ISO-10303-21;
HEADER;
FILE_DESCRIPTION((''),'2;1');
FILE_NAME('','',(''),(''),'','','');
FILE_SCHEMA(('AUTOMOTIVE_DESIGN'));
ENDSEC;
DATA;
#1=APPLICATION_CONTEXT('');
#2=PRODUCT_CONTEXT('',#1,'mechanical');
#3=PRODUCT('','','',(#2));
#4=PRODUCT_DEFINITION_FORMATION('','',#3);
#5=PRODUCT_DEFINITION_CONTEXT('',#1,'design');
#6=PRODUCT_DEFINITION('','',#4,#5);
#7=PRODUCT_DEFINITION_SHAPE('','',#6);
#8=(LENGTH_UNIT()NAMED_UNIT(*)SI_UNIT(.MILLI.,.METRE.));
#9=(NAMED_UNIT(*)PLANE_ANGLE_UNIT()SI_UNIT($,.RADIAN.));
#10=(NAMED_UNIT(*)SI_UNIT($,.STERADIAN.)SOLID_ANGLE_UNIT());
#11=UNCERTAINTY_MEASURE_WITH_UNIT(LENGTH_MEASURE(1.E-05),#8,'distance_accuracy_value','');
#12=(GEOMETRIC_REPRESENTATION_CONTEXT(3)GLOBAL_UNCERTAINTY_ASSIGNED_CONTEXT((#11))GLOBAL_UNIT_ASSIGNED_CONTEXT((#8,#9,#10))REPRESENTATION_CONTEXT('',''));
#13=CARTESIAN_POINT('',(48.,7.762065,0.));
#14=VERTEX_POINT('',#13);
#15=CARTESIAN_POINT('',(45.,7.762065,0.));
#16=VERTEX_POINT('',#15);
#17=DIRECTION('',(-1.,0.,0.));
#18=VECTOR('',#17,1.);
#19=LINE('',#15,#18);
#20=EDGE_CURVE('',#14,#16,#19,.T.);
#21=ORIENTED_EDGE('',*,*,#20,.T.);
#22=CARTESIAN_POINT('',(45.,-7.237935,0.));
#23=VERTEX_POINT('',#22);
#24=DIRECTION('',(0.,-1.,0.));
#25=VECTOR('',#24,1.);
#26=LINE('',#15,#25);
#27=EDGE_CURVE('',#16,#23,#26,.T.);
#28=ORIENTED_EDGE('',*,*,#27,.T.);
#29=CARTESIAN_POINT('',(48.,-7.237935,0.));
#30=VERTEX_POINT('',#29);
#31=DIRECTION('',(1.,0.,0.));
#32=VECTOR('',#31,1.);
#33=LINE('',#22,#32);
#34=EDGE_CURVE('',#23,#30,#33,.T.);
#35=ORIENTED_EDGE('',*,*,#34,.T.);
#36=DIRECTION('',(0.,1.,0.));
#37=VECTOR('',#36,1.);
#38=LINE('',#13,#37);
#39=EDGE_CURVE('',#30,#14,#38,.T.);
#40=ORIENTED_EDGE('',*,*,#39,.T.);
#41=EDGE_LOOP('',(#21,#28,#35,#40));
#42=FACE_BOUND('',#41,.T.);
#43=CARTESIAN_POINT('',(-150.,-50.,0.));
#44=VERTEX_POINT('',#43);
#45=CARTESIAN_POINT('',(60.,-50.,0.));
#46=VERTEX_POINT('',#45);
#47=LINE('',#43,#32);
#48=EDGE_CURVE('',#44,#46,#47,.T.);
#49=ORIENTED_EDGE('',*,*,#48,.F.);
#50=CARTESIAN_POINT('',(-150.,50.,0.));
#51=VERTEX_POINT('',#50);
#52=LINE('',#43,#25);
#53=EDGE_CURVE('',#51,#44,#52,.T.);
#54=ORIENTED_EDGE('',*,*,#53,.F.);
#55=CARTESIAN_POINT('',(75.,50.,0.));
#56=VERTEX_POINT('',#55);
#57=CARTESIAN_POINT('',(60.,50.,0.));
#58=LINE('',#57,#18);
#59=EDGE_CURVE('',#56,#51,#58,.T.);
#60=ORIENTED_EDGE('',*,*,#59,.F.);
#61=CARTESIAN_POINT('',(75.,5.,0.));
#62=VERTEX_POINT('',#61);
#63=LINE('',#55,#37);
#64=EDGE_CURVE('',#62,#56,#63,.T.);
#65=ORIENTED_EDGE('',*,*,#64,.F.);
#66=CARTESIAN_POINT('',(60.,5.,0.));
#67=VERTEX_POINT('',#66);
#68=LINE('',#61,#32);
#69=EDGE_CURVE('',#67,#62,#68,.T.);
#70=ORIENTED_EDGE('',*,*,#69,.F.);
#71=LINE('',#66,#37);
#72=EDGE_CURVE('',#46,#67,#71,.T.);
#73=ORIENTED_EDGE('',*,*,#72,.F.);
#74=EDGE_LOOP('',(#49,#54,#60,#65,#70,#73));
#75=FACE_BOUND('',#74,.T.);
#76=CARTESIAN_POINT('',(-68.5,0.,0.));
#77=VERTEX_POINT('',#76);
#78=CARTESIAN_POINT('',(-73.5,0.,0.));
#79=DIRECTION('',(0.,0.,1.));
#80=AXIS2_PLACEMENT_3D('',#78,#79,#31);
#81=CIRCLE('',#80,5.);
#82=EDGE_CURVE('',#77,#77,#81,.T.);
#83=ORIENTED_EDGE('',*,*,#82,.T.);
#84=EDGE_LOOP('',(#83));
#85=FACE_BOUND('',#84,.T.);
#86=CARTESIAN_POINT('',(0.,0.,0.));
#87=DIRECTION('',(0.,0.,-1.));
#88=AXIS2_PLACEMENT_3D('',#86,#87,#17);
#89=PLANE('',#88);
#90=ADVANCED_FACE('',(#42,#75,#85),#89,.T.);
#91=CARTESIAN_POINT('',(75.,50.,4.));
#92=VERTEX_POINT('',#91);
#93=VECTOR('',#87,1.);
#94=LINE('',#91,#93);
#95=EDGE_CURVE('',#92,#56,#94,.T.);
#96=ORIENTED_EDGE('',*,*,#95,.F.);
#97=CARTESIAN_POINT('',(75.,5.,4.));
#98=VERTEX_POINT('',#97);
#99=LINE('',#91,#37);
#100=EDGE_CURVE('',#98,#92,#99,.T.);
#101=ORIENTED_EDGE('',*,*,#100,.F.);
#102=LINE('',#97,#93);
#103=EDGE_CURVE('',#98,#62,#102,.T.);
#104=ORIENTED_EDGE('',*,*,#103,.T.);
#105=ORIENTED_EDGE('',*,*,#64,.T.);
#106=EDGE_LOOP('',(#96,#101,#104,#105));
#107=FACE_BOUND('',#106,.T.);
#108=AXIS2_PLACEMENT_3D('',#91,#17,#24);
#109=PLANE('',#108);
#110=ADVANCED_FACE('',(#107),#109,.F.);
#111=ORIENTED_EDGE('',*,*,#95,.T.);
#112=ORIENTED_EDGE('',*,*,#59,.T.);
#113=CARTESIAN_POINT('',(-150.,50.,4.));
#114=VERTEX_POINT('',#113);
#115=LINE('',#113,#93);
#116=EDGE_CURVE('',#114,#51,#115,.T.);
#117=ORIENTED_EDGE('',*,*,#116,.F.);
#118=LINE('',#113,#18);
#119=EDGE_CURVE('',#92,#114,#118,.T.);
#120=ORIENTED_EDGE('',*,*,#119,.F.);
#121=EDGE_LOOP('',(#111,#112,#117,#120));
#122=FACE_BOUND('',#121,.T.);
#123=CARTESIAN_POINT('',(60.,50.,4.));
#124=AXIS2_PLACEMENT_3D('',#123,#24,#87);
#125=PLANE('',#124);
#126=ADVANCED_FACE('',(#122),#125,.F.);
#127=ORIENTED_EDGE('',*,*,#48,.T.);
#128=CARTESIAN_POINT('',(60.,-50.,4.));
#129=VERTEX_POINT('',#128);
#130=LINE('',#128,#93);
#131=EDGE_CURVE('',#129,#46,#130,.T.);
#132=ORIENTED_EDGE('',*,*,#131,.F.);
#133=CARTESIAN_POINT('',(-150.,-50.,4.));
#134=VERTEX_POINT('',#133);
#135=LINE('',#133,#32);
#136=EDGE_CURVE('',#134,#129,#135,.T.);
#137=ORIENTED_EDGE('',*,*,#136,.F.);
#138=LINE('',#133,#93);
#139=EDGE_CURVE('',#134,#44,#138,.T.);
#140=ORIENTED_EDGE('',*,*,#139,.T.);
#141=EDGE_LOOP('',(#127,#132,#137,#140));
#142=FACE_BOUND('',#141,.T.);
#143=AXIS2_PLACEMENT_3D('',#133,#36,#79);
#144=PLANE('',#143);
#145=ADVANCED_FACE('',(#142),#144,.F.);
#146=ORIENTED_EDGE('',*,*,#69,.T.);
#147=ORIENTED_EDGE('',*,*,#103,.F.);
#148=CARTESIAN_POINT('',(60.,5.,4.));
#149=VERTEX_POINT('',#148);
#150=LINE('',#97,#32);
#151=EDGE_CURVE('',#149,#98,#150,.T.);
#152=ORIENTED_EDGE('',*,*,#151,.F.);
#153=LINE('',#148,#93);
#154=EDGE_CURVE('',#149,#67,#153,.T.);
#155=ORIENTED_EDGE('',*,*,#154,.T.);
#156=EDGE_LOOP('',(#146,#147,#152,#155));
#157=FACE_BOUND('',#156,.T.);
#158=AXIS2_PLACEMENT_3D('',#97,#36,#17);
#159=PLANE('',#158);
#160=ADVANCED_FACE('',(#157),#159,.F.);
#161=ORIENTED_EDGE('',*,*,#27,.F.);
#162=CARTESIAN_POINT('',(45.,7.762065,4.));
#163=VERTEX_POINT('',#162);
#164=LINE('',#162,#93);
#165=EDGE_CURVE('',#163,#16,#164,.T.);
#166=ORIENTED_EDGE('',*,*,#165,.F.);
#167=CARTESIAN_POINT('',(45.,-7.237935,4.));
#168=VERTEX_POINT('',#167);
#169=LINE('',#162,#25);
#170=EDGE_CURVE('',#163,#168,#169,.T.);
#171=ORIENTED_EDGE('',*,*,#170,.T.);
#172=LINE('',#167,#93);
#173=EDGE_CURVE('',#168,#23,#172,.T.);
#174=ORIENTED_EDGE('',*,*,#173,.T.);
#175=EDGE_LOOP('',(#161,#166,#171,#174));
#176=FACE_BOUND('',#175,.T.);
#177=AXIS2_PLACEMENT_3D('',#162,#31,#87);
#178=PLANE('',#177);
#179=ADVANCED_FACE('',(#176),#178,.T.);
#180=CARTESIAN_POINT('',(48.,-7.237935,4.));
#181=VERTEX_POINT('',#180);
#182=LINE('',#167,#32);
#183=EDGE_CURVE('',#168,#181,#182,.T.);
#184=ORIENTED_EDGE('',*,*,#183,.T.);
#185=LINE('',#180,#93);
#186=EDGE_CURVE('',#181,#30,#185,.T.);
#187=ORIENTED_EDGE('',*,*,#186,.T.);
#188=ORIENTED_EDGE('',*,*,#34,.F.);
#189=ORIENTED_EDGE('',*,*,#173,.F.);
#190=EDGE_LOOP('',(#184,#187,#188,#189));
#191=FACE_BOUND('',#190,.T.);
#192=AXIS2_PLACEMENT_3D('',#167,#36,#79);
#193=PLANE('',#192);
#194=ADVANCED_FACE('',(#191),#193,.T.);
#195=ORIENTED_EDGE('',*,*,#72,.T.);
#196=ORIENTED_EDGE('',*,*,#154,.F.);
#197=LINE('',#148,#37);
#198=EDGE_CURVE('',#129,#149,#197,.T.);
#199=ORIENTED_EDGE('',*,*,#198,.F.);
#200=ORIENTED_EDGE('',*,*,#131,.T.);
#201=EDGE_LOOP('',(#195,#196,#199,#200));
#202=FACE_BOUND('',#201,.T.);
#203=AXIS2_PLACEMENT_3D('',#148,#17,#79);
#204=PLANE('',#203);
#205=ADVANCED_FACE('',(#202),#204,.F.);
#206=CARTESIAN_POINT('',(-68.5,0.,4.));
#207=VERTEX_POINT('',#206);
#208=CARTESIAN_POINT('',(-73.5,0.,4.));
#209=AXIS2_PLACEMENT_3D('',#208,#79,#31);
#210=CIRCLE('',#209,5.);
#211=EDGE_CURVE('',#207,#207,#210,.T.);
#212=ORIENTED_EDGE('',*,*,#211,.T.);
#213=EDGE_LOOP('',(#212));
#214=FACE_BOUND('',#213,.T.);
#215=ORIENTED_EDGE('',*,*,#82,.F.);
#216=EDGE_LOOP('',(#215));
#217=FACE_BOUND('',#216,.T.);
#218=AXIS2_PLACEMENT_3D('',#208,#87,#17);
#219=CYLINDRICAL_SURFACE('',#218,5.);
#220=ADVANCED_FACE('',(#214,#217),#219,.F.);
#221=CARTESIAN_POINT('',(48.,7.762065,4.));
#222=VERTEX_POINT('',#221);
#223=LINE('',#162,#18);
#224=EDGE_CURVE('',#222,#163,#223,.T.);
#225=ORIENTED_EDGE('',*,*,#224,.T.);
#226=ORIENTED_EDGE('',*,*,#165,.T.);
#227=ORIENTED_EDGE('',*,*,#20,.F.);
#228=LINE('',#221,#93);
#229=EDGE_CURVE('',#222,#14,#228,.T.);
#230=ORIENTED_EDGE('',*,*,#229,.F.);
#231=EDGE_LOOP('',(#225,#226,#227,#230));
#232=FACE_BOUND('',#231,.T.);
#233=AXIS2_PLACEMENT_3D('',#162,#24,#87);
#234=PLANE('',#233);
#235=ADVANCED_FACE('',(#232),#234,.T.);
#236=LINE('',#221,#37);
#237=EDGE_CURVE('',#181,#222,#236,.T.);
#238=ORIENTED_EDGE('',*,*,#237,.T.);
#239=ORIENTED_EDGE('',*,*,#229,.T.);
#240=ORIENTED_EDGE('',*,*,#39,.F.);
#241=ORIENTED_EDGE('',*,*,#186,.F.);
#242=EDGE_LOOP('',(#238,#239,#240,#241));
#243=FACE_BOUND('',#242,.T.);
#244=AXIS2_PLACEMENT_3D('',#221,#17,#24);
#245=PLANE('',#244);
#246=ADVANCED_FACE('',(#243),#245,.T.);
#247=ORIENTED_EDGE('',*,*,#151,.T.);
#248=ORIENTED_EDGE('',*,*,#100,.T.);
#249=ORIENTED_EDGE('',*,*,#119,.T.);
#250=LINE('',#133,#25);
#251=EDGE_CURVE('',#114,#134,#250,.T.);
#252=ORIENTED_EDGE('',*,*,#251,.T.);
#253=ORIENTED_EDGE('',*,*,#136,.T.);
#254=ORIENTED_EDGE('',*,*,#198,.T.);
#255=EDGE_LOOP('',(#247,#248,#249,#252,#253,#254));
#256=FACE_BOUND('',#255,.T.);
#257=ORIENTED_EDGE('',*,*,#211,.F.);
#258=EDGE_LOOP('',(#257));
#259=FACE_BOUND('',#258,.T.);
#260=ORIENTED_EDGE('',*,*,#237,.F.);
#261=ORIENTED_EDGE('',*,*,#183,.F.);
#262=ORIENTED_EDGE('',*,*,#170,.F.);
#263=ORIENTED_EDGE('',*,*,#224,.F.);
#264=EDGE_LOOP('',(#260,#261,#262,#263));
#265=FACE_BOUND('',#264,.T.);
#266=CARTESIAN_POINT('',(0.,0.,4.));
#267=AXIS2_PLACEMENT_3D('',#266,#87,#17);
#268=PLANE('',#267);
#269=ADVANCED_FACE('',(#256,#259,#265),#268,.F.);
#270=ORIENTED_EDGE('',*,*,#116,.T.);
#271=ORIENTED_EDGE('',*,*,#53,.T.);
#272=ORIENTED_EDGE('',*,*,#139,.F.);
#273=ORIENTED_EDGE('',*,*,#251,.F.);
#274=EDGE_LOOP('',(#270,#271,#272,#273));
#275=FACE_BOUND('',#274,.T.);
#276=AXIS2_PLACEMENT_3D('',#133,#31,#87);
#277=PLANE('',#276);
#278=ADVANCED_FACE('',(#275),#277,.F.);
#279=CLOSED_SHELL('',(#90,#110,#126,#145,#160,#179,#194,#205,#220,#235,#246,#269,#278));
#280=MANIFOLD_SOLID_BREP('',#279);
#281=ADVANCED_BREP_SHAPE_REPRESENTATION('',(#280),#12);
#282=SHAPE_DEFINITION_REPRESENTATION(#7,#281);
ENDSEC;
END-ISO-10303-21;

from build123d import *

# Parameters (mm, degrees)
SKETCH1_R           = 5
SKETCH1_W           = 3
SKETCH1_H           = 15
BOSS_EXTRUDE1_DEPTH = 4


with BuildPart() as part:
    # Sketch1 → Boss-Extrude1 (new body)
    with BuildSketch(Plane.XY):
        Polygon((60, 50), (75, 50), (75, 5), (60, 5), (60, -50), (-150, -50), (-150, 50), align=None)
        with Locations((-73.5, 0)):
            Circle(SKETCH1_R, mode=Mode.SUBTRACT)
        with Locations((46.5, 0.26206532)):
            Rectangle(SKETCH1_W, SKETCH1_H, mode=Mode.SUBTRACT)
    extrude(amount=BOSS_EXTRUDE1_DEPTH)


solid = part.part
